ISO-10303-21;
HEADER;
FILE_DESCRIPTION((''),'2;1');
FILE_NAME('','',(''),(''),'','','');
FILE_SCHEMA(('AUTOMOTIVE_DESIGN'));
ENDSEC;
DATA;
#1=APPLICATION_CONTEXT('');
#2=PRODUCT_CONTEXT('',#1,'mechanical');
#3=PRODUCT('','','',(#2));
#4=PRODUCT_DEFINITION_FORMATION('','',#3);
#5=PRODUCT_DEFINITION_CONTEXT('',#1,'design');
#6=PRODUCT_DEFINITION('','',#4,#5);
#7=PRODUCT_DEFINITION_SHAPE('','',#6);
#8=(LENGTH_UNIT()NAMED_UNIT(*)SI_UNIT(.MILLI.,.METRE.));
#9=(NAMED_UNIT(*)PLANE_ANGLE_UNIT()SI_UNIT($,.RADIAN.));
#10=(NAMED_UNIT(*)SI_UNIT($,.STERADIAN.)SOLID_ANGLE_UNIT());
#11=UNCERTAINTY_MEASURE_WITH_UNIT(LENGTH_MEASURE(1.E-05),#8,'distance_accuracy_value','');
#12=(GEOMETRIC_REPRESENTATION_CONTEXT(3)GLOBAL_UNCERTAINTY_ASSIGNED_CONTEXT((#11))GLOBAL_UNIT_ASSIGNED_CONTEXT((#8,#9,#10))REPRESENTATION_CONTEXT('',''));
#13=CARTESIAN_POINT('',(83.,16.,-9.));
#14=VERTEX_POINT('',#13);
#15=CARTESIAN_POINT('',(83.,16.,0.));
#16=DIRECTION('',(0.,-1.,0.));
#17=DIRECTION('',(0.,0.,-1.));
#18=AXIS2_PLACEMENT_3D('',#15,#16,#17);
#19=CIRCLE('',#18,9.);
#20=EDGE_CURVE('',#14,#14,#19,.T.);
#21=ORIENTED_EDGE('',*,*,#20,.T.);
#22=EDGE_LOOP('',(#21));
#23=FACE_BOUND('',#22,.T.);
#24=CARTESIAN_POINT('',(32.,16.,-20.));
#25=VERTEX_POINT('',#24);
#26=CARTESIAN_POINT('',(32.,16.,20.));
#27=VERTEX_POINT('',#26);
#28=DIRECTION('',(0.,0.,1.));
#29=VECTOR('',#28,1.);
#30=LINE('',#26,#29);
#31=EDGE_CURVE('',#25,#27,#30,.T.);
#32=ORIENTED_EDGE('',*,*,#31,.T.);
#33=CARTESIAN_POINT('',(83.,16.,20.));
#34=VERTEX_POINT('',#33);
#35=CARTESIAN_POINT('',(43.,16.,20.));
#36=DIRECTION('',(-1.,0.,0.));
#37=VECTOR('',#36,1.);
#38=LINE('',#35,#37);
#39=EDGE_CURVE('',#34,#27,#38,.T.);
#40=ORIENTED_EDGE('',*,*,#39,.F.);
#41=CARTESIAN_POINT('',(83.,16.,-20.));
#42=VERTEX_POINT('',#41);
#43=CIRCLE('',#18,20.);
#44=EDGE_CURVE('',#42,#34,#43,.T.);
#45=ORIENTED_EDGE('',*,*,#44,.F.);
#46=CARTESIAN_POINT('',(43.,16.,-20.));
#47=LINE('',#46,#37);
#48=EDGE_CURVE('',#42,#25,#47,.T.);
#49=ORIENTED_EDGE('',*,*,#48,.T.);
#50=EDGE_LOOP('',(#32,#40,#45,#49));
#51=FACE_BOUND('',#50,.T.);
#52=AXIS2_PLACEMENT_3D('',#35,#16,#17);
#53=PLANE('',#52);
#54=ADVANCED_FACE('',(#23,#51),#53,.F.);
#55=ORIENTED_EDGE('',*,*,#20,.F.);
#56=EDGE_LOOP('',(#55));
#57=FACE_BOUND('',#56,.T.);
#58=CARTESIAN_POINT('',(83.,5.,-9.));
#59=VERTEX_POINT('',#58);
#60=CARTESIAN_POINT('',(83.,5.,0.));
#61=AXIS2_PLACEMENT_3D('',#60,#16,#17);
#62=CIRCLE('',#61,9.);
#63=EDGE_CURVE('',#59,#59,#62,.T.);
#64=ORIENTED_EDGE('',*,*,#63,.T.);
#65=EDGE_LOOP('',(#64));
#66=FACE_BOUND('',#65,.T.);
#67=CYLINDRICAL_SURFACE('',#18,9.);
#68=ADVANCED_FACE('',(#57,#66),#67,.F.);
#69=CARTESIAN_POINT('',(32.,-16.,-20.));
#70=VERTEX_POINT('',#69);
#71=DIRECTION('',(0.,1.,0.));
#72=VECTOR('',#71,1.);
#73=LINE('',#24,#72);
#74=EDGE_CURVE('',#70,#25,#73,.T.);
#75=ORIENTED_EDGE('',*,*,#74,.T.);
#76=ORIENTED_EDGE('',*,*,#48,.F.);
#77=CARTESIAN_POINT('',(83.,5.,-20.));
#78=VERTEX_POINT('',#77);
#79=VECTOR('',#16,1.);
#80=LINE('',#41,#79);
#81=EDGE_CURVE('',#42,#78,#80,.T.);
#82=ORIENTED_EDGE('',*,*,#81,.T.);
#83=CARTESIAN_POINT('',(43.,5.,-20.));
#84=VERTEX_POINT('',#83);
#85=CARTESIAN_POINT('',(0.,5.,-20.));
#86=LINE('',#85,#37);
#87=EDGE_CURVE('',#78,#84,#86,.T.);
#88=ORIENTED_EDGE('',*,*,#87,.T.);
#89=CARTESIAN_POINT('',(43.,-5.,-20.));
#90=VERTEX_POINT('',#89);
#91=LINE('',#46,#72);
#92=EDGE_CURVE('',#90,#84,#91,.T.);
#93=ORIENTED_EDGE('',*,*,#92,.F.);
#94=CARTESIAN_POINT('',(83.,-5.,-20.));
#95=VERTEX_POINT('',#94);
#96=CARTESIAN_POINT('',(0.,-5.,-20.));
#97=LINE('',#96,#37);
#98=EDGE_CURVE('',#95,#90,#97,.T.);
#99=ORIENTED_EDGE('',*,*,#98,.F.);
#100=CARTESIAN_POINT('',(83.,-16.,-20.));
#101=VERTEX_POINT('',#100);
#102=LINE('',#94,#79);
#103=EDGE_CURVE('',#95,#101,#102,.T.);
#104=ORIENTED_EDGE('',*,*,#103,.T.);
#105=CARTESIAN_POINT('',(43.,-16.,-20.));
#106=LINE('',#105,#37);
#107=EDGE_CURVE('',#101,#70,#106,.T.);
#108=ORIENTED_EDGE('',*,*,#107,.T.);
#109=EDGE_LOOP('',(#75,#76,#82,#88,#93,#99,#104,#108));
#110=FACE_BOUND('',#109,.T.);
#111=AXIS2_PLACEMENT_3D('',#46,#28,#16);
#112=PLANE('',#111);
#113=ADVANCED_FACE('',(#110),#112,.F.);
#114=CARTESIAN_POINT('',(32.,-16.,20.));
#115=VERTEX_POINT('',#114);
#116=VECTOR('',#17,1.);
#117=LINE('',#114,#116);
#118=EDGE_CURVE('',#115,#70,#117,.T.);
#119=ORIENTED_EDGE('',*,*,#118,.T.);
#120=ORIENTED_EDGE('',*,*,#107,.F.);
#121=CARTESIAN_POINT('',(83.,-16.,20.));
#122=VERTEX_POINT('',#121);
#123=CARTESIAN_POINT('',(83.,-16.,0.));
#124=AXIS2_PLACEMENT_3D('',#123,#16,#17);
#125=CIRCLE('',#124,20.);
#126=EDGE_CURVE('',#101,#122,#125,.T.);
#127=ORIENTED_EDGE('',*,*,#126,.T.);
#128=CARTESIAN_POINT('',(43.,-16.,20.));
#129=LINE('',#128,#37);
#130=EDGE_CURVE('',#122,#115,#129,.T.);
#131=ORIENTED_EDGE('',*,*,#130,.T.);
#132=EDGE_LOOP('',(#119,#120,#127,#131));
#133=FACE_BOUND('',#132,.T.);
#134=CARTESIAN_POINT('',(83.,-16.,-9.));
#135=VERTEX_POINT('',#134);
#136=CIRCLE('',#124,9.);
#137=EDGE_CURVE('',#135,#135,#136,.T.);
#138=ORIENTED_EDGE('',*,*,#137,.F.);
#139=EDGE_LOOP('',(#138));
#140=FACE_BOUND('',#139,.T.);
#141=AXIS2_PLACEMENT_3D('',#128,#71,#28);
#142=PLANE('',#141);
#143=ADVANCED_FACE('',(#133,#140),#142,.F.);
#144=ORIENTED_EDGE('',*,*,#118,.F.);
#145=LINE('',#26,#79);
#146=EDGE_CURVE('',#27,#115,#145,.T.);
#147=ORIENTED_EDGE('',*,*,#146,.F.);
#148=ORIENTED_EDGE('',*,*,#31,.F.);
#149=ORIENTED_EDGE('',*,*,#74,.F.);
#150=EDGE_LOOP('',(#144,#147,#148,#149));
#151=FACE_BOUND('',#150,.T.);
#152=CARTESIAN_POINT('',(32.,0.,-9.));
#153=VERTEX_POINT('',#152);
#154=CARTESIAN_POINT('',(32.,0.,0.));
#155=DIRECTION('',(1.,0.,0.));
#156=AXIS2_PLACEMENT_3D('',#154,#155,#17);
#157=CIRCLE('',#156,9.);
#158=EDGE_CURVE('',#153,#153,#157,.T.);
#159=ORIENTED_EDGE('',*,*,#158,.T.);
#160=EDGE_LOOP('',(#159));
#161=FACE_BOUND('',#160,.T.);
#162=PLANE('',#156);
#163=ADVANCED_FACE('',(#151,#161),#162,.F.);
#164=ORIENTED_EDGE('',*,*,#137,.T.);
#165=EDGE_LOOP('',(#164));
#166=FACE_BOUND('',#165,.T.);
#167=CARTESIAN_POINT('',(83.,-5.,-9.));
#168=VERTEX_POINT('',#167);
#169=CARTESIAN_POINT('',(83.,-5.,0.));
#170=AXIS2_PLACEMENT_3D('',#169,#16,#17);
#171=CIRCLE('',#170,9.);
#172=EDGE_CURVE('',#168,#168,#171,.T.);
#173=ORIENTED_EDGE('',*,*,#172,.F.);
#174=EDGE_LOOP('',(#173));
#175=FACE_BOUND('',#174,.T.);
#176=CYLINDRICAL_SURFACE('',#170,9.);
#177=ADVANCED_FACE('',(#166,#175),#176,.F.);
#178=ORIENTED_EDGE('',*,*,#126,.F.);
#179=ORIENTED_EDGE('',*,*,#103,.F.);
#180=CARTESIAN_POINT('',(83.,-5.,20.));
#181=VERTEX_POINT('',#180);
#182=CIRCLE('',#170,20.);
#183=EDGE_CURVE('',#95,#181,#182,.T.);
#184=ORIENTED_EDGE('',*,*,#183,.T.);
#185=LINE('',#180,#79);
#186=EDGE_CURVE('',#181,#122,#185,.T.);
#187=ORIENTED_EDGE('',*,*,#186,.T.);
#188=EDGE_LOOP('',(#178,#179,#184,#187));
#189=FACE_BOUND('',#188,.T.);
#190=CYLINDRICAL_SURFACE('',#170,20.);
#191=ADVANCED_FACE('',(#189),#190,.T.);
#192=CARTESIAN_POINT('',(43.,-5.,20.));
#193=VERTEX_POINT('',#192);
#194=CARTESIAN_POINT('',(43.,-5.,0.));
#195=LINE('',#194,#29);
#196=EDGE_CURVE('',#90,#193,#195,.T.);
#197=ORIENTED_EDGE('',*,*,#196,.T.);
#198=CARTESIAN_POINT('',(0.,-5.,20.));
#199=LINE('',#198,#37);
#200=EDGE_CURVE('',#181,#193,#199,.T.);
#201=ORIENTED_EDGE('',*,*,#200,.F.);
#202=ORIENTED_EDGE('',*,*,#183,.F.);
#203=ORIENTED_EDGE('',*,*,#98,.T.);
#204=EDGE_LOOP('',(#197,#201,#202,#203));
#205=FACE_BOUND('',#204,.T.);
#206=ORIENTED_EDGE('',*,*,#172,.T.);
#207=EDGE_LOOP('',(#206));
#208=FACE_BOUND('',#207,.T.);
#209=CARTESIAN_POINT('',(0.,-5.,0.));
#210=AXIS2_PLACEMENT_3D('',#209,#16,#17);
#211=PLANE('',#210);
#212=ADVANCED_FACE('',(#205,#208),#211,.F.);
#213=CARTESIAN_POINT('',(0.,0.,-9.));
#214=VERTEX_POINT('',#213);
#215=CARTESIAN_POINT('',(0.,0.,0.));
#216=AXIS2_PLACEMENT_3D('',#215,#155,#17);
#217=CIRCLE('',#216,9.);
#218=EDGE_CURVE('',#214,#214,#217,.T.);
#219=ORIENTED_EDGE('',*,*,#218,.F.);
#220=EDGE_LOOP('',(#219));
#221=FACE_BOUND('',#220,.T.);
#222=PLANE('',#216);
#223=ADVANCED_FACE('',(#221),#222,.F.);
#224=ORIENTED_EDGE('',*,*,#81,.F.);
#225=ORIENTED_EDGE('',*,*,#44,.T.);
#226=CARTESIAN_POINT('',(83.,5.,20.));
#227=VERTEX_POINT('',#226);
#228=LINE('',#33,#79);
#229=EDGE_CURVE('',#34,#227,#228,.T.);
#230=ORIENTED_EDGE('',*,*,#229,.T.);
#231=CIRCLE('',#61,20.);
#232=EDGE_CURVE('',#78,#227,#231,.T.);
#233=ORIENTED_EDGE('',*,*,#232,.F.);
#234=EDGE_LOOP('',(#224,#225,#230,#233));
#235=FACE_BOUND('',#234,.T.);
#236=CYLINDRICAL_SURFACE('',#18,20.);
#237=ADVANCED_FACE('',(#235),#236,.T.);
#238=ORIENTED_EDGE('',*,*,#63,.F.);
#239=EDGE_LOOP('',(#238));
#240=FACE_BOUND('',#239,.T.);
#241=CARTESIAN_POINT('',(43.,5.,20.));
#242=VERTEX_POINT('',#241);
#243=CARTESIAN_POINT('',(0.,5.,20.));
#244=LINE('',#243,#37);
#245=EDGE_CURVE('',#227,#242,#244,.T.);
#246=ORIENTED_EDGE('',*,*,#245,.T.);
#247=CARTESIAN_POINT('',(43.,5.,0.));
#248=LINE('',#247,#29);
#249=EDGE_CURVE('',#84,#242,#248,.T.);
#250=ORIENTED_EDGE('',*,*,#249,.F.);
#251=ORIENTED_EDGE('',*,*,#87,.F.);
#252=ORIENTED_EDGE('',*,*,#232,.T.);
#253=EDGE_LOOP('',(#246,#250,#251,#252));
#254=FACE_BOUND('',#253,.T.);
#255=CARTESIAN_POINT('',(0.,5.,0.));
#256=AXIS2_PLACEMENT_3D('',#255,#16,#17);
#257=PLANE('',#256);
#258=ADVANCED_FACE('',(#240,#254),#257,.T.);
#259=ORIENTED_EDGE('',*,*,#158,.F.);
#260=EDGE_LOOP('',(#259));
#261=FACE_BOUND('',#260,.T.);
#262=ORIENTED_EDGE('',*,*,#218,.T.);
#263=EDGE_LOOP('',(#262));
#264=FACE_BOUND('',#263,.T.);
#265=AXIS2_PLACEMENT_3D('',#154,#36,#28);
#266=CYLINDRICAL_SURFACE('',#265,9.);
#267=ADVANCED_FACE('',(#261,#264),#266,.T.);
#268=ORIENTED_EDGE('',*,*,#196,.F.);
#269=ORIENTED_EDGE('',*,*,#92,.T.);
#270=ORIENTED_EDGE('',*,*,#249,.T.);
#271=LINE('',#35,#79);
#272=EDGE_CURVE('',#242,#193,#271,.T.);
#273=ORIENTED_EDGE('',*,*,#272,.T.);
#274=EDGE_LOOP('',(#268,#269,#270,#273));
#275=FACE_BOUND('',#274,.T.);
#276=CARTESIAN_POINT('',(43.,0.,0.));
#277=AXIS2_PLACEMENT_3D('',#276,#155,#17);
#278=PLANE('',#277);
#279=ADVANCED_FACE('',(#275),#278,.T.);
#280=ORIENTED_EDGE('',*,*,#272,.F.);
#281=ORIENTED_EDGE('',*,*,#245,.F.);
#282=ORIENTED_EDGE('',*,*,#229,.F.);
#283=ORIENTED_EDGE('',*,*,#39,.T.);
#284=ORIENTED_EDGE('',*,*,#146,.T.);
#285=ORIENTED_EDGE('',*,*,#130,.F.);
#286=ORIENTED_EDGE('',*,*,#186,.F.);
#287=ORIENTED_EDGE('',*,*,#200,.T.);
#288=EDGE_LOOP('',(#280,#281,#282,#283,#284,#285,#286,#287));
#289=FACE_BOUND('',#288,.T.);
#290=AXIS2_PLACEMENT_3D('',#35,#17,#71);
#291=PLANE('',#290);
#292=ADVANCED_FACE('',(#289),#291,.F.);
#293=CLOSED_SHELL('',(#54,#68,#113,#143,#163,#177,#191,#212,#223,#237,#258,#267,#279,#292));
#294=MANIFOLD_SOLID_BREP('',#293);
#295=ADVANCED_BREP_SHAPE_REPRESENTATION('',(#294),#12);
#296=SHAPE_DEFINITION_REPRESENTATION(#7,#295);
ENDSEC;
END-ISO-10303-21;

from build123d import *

# Parameters (mm, degrees)
SKETCH1_R           = 9
BOSS_EXTRUDE1_DEPTH = 32
SKETCH2_W           = 40
SKETCH2_H           = 32
BOSS_EXTRUDE2_DEPTH = 11
SKETCH3_R           = 9
BOSS_EXTRUDE5_DEPTH = 11
LPATTERN1_COUNT     = 2
LPATTERN1_PITCH     = 21


with BuildPart() as part:
    # Sketch1 → Boss-Extrude1 (new body)
    with BuildSketch(Plane(origin=(0, 0, 0), x_dir=(0, 0, -1), z_dir=(1, 0, 0))):
        Circle(SKETCH1_R)
    extrude(amount=BOSS_EXTRUDE1_DEPTH)

    # Sketch2 → Boss-Extrude2 (add)
    with BuildSketch(Plane(origin=(32, 0, 0), x_dir=(0, 0, -1), z_dir=(1, 0, 0))):
        Rectangle(SKETCH2_W, SKETCH2_H)
    extrude(amount=BOSS_EXTRUDE2_DEPTH)

    # Sketch3 → Boss-Extrude5 (add)
    with BuildSketch(Plane(origin=(0, -16, 0), x_dir=(-1, 0, 0), z_dir=(0, -1, 0))):
        with BuildLine():
            Line((-43, 20), (-83, 20))
            ThreePointArc((-83, 20), (-103, 0), (-83, -20))
            Line((-83, -20), (-43, -20))
            Line((-43, -20), (-43, 20))
        make_face()
        with Locations(Location((-83, 0, 0), (0, 0, 90))):
            Circle(SKETCH3_R, mode=Mode.SUBTRACT)
    boss_extrude5 = extrude(amount=-BOSS_EXTRUDE5_DEPTH)

    # LPattern1: Boss-Extrude5 ×2
    with Locations(*[(0, i * LPATTERN1_PITCH, 0) for i in range(1, LPATTERN1_COUNT)]):
        add(boss_extrude5)


solid = part.part
